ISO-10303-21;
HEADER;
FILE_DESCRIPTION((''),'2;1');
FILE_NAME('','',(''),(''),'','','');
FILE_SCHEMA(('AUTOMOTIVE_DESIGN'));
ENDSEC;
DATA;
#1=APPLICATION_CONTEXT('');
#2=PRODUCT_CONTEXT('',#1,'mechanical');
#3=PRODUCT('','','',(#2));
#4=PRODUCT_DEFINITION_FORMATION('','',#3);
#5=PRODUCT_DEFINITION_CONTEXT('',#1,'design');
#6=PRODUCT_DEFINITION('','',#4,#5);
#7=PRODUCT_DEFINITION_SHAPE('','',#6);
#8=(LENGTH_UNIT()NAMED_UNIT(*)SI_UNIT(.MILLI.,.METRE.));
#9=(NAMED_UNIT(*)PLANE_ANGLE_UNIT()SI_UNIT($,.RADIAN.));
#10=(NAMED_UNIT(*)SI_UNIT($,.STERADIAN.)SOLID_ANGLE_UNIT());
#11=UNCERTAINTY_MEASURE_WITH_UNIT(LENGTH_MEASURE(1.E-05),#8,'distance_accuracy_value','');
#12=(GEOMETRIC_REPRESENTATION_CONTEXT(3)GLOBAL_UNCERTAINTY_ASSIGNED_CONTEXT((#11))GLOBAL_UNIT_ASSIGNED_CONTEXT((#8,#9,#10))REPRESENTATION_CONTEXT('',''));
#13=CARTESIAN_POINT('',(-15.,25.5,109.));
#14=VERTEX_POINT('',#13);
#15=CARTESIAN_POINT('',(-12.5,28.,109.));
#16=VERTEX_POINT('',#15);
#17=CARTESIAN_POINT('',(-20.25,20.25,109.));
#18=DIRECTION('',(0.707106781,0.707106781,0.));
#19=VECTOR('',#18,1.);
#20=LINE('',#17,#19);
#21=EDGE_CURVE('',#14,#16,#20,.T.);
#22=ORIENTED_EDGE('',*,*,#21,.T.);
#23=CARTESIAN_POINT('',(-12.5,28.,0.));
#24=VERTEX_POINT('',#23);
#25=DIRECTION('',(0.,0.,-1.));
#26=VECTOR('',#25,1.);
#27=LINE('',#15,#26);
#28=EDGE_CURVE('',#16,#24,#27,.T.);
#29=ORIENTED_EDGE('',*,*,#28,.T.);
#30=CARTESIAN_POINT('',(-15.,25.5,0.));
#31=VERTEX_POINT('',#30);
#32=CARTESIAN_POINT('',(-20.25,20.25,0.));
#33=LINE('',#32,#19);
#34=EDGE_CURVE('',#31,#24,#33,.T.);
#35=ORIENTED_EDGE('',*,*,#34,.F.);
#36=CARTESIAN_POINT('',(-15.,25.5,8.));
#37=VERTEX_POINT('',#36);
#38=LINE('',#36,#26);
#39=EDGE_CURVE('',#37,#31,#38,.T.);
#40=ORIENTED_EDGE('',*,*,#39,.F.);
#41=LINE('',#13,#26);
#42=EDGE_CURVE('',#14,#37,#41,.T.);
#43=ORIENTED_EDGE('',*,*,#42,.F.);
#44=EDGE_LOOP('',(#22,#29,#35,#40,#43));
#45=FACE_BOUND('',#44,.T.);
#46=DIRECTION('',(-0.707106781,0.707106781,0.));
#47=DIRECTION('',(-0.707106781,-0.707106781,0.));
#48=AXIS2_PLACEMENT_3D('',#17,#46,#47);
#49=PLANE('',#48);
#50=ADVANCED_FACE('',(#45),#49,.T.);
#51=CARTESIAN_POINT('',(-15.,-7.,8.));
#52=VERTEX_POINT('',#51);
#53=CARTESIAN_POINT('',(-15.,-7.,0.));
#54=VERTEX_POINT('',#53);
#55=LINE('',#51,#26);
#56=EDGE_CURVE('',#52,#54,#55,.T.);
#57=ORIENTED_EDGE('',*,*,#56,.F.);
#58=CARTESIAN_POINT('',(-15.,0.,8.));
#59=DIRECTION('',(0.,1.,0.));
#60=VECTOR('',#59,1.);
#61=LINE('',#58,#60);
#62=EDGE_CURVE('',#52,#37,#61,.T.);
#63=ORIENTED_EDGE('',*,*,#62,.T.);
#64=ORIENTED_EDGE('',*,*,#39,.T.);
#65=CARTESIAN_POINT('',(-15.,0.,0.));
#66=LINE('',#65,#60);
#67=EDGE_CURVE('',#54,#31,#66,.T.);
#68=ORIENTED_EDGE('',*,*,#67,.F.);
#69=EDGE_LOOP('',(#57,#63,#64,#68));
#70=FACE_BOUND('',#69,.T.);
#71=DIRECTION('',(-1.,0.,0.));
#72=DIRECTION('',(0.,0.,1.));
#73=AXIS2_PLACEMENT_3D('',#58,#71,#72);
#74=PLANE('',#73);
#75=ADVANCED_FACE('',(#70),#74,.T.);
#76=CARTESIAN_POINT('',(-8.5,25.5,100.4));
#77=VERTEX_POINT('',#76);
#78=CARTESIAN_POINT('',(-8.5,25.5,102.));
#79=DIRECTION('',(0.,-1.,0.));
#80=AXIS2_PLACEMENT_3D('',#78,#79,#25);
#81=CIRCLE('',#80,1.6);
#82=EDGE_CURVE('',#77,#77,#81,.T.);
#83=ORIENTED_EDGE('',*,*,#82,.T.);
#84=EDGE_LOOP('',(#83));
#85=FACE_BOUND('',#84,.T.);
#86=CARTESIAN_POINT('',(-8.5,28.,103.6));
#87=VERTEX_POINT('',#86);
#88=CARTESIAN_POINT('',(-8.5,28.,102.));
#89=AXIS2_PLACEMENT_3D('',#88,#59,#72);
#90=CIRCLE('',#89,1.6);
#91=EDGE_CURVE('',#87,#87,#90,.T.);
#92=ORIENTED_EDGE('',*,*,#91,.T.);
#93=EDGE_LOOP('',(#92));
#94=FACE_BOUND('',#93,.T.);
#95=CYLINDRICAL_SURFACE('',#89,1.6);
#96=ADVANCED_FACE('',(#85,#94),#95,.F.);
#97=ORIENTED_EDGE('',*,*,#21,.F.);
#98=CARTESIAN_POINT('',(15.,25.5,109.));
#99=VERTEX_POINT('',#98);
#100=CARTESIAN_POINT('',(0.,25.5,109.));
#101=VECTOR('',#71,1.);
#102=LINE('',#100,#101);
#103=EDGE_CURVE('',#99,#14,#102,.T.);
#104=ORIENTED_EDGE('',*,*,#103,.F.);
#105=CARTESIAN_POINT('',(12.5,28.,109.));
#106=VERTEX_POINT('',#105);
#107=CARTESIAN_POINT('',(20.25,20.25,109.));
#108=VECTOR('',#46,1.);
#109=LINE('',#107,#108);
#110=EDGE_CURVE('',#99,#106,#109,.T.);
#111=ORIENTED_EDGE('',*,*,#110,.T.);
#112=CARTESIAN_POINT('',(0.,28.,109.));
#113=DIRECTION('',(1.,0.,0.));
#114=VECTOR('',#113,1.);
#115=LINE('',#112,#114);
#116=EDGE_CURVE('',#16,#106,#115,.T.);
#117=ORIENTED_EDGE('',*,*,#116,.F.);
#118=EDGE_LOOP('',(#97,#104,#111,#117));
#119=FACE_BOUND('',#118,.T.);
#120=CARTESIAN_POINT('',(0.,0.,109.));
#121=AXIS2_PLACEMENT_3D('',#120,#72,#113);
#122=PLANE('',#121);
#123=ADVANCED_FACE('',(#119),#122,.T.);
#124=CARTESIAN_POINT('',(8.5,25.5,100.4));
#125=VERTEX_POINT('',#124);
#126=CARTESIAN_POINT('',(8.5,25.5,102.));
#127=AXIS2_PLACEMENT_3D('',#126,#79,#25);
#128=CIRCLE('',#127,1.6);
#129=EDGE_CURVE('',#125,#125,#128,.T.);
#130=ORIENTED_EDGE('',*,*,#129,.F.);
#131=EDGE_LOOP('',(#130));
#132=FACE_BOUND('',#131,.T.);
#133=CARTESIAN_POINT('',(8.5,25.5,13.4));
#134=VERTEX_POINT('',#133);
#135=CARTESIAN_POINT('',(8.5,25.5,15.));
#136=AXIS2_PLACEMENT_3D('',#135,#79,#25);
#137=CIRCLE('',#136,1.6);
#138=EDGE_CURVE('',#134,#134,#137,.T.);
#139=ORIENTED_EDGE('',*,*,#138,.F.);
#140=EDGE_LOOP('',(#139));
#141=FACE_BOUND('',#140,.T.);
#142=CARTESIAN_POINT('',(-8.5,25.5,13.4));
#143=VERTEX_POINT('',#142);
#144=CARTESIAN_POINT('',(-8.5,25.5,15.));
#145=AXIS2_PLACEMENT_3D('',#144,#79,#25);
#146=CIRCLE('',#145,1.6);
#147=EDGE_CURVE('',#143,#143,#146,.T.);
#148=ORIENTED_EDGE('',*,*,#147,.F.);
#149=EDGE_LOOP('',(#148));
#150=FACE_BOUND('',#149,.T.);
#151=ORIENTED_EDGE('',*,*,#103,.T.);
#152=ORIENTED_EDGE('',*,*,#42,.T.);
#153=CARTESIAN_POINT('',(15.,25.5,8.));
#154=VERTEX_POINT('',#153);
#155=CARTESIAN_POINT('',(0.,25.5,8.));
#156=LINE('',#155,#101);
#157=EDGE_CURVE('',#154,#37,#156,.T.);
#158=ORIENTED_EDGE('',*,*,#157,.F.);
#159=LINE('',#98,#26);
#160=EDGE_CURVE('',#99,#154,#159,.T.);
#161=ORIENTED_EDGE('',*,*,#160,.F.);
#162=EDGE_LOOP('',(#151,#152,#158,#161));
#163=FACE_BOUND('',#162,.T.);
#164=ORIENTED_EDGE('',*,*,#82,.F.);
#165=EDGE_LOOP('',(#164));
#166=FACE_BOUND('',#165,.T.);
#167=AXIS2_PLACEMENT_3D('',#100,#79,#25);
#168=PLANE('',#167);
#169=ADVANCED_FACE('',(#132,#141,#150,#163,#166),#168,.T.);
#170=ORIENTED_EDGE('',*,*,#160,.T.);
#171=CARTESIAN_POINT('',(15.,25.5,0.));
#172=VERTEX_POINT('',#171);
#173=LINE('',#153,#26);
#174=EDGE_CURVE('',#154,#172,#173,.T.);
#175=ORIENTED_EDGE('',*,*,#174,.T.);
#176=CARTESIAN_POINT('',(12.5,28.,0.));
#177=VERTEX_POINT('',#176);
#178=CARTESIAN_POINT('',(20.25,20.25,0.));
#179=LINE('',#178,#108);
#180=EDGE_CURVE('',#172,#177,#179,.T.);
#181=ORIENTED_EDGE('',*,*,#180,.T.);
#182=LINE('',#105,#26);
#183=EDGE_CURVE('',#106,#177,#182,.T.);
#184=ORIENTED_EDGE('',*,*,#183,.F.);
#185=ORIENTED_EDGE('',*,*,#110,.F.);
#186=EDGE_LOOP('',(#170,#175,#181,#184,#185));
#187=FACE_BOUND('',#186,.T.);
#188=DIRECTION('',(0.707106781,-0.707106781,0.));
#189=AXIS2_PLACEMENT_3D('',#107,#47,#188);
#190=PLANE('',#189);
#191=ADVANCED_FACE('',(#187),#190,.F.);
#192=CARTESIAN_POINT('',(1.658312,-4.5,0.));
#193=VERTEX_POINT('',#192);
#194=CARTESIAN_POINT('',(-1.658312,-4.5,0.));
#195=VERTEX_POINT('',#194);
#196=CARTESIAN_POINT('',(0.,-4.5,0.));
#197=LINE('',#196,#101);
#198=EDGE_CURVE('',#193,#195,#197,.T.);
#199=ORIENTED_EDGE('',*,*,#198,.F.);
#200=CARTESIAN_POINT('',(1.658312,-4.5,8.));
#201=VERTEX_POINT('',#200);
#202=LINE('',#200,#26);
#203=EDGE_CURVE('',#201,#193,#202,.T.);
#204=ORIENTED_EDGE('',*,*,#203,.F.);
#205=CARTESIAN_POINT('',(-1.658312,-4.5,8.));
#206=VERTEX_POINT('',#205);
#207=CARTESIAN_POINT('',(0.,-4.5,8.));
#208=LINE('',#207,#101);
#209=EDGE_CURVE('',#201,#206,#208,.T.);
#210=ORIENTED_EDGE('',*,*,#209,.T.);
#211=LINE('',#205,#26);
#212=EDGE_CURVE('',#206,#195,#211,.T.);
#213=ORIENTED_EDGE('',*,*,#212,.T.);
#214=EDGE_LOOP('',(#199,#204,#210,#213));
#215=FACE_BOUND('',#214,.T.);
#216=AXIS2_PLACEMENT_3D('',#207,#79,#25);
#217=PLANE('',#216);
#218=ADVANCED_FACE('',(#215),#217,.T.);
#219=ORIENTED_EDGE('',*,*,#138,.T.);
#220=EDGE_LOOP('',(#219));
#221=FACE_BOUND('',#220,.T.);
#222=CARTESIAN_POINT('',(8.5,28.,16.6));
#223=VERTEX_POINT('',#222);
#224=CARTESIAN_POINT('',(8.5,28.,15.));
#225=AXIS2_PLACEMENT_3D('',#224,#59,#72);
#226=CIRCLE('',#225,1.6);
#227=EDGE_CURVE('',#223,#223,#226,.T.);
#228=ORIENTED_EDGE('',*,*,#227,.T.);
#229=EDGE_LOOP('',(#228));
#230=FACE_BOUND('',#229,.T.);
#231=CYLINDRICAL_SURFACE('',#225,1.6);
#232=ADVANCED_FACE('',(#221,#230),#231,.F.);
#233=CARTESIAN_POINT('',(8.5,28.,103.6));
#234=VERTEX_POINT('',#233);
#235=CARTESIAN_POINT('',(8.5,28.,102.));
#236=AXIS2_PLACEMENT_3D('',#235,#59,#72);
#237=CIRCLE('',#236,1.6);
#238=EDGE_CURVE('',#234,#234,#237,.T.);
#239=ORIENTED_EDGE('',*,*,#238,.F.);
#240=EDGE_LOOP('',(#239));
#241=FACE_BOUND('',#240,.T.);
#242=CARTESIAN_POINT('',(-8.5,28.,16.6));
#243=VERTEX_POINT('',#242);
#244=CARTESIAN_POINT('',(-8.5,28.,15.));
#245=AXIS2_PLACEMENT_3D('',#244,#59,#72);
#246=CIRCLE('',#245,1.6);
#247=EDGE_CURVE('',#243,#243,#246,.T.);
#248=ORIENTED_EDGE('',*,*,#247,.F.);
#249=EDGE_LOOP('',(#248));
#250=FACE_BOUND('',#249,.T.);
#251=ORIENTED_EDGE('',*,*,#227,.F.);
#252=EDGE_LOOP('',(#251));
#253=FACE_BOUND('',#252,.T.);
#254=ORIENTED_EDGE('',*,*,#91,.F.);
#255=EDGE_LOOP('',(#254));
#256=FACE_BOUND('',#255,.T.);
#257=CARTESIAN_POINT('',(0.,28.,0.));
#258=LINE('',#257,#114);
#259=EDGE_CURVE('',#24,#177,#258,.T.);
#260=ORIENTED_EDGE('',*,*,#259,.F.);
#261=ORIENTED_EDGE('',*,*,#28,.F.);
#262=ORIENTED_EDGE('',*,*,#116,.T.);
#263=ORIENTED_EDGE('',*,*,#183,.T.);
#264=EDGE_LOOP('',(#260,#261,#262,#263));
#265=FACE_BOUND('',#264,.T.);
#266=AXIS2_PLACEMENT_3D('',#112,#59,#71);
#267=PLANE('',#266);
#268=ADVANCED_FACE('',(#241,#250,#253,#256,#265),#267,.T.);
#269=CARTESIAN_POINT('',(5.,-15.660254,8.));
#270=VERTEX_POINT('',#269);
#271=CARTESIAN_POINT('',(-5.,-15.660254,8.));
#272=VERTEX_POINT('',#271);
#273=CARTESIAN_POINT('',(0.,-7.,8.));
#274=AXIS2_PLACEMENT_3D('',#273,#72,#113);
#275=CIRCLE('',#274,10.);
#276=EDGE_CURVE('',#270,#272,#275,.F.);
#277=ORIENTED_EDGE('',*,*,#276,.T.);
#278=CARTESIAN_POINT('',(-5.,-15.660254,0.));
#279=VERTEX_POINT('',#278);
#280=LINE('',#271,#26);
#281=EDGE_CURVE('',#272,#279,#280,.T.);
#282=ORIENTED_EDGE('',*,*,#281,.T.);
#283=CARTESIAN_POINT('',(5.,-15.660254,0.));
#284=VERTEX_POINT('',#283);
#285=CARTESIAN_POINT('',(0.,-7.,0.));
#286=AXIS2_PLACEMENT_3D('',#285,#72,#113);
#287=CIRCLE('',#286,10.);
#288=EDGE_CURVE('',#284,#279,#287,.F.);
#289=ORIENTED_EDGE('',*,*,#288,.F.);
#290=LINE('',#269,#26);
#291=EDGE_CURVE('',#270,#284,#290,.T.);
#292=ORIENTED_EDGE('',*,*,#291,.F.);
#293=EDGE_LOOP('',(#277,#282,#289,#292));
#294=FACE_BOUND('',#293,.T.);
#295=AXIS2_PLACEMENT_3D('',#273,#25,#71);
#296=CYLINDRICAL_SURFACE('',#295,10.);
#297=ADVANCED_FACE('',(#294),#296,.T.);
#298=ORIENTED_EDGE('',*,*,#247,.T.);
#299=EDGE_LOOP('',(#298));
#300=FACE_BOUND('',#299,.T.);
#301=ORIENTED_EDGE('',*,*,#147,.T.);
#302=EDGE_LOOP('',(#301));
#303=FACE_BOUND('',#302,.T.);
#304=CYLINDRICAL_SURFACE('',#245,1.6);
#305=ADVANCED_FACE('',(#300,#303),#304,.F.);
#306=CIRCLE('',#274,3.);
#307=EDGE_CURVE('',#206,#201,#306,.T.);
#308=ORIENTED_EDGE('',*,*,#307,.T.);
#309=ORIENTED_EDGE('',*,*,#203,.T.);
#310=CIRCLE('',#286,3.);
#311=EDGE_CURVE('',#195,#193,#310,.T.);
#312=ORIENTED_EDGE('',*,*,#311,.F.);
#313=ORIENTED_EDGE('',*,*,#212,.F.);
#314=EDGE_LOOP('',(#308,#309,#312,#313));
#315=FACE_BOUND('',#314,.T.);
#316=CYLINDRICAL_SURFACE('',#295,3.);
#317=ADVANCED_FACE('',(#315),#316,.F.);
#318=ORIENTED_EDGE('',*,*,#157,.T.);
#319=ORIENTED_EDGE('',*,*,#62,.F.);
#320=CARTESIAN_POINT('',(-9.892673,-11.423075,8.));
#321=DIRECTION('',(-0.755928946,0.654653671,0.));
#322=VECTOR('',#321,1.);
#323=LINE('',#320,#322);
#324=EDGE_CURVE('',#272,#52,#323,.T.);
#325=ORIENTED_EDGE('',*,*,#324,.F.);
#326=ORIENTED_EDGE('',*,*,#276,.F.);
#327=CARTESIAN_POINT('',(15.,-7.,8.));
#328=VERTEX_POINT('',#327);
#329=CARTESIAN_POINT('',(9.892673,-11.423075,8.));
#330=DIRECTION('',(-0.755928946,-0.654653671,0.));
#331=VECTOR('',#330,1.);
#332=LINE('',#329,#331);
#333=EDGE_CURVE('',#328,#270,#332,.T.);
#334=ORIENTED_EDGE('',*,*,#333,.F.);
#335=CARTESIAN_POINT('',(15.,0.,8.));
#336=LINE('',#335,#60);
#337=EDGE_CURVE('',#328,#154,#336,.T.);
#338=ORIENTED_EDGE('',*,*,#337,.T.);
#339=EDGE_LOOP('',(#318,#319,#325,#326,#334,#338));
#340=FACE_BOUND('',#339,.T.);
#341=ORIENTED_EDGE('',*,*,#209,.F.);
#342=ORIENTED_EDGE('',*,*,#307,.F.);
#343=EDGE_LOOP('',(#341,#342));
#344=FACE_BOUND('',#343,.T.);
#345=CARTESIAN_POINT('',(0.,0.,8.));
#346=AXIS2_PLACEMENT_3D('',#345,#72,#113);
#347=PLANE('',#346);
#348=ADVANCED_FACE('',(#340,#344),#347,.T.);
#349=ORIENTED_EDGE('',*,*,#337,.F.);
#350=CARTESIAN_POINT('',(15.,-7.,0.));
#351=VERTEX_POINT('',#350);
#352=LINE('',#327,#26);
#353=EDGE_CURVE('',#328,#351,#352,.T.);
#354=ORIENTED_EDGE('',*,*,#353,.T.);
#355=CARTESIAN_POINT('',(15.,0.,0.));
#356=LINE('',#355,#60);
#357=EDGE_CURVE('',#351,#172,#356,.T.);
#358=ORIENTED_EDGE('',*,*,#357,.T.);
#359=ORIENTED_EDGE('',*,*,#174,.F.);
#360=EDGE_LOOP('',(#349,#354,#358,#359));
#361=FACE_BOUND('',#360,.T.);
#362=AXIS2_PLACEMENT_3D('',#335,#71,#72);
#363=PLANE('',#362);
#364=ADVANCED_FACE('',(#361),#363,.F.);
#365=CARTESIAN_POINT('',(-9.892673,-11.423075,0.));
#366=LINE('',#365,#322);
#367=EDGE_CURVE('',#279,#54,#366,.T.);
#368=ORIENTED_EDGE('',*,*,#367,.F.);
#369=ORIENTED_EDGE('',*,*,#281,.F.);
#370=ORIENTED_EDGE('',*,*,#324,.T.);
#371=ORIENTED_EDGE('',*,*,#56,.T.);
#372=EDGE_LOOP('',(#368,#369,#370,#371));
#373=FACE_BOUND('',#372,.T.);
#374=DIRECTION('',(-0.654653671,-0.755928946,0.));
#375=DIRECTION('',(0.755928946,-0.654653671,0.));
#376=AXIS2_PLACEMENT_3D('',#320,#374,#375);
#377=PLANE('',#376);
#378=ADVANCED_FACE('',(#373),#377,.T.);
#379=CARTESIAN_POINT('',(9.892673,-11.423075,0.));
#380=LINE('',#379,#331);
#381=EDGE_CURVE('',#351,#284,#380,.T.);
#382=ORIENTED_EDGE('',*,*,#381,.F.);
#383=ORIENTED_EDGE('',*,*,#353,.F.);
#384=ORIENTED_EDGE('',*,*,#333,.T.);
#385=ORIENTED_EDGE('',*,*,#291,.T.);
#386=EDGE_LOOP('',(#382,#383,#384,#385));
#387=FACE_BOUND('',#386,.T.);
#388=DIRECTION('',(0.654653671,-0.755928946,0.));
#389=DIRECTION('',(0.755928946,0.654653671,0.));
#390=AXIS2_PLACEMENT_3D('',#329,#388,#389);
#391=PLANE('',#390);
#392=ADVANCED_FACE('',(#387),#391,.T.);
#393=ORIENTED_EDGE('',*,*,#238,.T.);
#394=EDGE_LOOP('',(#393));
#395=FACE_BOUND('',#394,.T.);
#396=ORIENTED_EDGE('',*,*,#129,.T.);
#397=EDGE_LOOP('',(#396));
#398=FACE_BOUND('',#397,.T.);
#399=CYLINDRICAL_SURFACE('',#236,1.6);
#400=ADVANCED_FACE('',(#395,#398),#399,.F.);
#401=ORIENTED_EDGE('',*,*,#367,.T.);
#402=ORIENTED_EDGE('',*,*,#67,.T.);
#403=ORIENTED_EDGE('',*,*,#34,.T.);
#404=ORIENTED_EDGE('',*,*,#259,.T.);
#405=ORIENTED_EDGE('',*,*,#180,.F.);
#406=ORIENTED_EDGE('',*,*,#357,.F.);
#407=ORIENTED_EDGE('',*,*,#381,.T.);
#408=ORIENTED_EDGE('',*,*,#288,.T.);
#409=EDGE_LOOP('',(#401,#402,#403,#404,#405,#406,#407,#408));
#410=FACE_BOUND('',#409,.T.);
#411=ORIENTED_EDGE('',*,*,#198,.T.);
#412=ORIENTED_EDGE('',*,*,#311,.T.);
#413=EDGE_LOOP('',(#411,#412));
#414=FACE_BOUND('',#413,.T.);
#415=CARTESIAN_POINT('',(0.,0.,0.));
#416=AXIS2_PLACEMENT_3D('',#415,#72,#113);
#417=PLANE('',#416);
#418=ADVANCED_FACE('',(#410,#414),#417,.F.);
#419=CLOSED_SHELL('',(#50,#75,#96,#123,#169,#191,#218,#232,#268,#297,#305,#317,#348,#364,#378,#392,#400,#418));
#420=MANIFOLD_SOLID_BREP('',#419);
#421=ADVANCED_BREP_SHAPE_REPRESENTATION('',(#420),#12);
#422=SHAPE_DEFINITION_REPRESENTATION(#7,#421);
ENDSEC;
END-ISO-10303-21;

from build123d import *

# Parameters (mm, degrees)
BOSS_EXTRUDE1_DEPTH  = 8
BOSS_EXTRUDE3_DEPTH  = 109
M3_CLEARANCE_SLOT1_D = 3.2


with BuildPart() as part:
    # Sketch1 → Boss-Extrude1 (new body)
    with BuildSketch(Plane.XY):
        with BuildLine():
            Line((15, 25.5), (-15, 25.5))
            Line((-15, 25.5), (-15, -7))
            Line((-15, -7), (-5, -15.660254038))
            ThreePointArc((-5, -15.660254038), (0, -17), (5, -15.660254038))
            Line((5, -15.660254038), (15, -7))
            Line((15, -7), (15, 25.5))
        make_face()
        with BuildLine():
            Line((1.658312395, -4.5), (-1.658312395, -4.5))
            ThreePointArc((-1.658312395, -4.5), (0, -10), (1.658312395, -4.5))
        make_face(mode=Mode.SUBTRACT)
    extrude(amount=BOSS_EXTRUDE1_DEPTH)

    # Sketch1<5> → Boss-Extrude3 (add)
    with BuildSketch(Plane.XY):
        Polygon((-12.5, 28), (12.5, 28), (15, 25.5), (-15, 25.5), align=None)
    extrude(amount=BOSS_EXTRUDE3_DEPTH)

    # M3 Clearance Slot1 (through all)
    with Locations(Plane(origin=(0, 28, 0), x_dir=(1, 0, 0), z_dir=(0, 1, 0))):
        with Locations((-8.5, -15), (8.5, -15), (-8.5, -102), (8.5, -102)):
            Hole(M3_CLEARANCE_SLOT1_D / 2)


solid = part.part
